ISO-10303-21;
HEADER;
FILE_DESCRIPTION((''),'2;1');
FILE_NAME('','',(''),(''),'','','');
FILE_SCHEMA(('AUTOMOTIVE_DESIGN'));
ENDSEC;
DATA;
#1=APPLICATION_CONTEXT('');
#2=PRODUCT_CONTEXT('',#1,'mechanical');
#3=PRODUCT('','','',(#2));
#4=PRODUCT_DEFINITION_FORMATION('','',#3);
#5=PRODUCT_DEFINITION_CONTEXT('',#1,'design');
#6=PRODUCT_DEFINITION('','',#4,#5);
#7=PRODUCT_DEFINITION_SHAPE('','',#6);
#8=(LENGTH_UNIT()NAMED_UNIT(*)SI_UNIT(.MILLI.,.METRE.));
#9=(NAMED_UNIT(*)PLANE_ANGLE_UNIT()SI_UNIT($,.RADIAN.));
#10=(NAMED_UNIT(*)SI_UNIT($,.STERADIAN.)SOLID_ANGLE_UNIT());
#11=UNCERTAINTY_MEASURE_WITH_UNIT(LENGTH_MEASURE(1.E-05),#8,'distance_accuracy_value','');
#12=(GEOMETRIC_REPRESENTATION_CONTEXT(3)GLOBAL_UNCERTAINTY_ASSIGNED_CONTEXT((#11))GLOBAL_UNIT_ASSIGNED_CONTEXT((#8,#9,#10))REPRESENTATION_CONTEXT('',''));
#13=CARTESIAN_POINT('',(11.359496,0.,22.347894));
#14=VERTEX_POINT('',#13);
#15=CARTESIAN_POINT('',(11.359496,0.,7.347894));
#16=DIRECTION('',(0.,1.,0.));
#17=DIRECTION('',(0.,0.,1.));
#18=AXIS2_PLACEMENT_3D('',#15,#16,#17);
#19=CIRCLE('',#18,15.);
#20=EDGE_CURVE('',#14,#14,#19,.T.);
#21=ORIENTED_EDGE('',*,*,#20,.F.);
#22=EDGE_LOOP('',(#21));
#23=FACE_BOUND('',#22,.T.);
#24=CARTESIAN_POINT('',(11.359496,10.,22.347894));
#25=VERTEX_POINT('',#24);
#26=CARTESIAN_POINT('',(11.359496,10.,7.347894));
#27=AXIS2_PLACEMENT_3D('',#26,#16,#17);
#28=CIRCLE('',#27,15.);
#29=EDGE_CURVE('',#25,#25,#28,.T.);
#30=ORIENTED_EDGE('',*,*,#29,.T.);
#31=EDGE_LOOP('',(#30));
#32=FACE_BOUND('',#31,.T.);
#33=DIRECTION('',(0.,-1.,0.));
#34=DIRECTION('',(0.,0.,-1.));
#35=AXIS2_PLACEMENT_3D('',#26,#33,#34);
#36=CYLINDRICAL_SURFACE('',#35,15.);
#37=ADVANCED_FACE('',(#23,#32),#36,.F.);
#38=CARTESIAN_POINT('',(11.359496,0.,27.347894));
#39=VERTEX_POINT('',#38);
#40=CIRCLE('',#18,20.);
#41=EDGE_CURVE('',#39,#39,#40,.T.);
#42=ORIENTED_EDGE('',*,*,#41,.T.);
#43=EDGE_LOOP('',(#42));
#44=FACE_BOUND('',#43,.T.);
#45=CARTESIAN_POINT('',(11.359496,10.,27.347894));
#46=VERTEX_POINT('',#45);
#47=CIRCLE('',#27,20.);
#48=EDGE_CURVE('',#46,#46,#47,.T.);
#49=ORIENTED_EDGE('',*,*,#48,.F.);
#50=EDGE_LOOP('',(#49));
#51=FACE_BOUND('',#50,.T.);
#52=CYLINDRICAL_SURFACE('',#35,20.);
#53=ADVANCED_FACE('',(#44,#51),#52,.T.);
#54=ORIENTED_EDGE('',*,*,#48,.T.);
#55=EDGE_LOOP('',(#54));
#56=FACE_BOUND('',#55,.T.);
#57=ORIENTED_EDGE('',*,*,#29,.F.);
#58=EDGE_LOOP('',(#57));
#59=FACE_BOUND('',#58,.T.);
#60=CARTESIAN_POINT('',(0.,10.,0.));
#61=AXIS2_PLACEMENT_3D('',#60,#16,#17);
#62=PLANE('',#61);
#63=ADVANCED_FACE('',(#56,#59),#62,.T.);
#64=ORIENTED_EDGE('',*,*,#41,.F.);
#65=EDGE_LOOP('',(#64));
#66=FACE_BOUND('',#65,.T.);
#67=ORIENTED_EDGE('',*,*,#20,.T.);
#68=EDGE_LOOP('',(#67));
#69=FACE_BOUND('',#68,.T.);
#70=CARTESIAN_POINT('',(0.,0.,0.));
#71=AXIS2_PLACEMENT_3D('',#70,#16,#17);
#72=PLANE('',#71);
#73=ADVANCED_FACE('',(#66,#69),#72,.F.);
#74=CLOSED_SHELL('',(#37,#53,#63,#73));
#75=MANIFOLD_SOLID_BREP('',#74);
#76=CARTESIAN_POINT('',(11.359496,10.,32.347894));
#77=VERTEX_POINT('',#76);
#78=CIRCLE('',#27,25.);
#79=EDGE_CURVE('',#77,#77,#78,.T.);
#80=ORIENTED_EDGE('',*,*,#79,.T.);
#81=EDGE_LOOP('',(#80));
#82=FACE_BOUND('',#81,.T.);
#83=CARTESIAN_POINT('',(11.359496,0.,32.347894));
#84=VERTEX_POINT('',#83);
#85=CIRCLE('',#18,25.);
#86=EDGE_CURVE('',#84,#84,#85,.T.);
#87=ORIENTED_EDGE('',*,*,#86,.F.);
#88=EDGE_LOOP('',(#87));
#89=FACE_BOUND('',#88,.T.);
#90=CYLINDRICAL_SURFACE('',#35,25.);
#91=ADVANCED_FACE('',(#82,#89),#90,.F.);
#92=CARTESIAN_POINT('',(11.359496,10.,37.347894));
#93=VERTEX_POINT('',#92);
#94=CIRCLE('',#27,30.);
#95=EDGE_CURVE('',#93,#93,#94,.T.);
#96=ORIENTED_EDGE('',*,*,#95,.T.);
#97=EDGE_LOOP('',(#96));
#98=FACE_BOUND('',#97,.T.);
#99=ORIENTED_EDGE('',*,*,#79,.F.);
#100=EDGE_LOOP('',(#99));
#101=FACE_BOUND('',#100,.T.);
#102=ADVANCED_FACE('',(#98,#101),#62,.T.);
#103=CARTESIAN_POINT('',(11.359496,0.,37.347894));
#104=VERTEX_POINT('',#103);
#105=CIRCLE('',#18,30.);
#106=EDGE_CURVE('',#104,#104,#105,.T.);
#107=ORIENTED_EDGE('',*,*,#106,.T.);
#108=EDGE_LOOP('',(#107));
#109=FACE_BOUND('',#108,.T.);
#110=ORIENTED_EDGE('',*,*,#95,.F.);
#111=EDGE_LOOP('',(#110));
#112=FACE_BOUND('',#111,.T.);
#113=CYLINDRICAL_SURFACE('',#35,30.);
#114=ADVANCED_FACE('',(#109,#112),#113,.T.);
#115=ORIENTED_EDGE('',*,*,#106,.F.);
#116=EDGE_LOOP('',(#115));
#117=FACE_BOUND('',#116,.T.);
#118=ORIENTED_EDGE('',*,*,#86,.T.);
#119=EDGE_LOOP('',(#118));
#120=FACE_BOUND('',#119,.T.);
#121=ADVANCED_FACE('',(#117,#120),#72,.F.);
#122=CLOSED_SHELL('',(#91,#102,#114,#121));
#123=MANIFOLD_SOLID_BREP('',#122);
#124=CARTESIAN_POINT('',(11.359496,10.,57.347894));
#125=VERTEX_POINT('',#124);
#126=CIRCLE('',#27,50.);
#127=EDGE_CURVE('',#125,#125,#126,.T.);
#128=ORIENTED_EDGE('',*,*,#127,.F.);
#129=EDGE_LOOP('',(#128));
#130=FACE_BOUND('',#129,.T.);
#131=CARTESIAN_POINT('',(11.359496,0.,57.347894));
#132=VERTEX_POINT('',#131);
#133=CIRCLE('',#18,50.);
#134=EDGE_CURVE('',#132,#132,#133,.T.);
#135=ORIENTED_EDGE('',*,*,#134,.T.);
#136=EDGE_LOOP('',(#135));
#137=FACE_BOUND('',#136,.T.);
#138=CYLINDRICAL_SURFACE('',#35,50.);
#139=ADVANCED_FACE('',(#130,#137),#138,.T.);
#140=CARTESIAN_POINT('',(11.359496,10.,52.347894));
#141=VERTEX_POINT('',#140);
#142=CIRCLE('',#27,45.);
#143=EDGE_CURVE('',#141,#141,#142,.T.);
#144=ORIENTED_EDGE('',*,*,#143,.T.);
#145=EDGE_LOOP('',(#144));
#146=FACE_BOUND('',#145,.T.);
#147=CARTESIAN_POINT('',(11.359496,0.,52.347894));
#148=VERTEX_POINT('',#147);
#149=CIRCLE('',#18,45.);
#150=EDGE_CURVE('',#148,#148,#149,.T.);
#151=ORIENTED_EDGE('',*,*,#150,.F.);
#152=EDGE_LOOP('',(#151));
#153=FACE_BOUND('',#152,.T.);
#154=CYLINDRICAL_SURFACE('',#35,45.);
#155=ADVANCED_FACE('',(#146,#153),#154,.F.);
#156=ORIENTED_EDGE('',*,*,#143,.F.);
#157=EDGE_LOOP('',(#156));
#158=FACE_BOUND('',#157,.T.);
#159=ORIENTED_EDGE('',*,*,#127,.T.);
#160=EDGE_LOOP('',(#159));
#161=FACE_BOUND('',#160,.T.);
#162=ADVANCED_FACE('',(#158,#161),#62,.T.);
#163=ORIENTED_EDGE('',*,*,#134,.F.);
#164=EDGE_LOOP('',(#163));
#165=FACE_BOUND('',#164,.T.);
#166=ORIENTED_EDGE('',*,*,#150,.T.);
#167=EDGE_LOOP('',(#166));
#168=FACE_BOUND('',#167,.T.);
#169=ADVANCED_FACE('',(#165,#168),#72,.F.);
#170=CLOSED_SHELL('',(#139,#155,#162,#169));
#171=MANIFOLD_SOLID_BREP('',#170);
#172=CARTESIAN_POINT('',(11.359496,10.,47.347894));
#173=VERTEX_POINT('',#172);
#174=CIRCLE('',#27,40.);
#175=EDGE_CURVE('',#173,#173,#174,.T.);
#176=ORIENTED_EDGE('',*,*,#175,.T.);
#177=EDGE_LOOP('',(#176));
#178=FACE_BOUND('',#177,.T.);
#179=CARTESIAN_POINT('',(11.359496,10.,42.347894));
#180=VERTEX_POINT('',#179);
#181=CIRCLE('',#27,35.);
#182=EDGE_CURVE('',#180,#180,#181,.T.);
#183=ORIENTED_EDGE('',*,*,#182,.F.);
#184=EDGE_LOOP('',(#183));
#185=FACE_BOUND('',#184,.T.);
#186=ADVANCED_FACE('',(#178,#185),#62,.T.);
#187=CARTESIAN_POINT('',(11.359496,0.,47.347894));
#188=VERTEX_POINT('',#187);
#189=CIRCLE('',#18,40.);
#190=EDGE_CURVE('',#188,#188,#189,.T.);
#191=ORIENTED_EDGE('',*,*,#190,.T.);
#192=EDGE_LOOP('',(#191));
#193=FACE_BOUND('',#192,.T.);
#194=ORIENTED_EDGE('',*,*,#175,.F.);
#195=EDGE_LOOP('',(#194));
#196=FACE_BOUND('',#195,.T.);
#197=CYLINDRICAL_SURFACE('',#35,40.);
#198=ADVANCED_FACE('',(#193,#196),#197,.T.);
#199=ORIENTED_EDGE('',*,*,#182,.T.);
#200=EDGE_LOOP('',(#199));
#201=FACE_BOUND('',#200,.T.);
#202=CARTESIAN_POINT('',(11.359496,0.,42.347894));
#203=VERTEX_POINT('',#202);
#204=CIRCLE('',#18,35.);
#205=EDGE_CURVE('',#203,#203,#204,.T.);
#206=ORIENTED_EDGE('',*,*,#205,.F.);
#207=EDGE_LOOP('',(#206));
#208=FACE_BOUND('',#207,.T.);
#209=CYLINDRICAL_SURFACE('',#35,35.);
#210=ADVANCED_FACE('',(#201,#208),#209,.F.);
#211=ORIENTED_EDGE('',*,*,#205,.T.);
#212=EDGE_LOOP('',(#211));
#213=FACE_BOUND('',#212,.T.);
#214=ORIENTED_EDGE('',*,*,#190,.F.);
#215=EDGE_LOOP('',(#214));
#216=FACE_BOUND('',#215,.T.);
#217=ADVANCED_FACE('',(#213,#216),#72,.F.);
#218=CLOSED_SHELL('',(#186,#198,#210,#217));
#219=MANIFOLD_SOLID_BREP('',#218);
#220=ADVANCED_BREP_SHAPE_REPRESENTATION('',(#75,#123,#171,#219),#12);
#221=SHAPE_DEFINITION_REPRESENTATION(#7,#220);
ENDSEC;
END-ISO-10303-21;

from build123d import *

# Parameters (mm, degrees)
SKETCH1_R             = 50
SKETCH1_R_2           = 45
BOSS_EXTRUDE3_DEPTH   = 10
SKETCH1_R_3           = 40
SKETCH1_R_4           = 35
BOSS_EXTRUDE3_2_DEPTH = 10
SKETCH1_R_5           = 30
SKETCH1_R_6           = 25
BOSS_EXTRUDE3_3_DEPTH = 10
SKETCH1_R_7           = 20
SKETCH1_R_8           = 15
BOSS_EXTRUDE3_4_DEPTH = 10


with BuildPart() as part:
    # Sketch1 → Boss-Extrude3 (new body)
    with BuildSketch(Plane(origin=(0, 0, 0), x_dir=(1, 0, 0), z_dir=(0, 1, 0))):
        with Locations((11.359496118, -7.347893769)):
            Circle(SKETCH1_R)
        with Locations((11.359496118, -7.347893769)):
            Circle(SKETCH1_R_2, mode=Mode.SUBTRACT)
    extrude(amount=BOSS_EXTRUDE3_DEPTH)


with BuildPart() as body_2:
    # Sketch1 → Boss-Extrude3 2 (new body)
    with BuildSketch(Plane(origin=(0, 0, 0), x_dir=(1, 0, 0), z_dir=(0, 1, 0))):
        with Locations((11.359496118, -7.347893769)):
            Circle(SKETCH1_R_3)
        with Locations((11.359496118, -7.347893769)):
            Circle(SKETCH1_R_4, mode=Mode.SUBTRACT)
    extrude(amount=BOSS_EXTRUDE3_2_DEPTH)


with BuildPart() as body_3:
    # Sketch1 → Boss-Extrude3 3 (new body)
    with BuildSketch(Plane(origin=(0, 0, 0), x_dir=(1, 0, 0), z_dir=(0, 1, 0))):
        with Locations((11.359496118, -7.347893769)):
            Circle(SKETCH1_R_5)
        with Locations((11.359496118, -7.347893769)):
            Circle(SKETCH1_R_6, mode=Mode.SUBTRACT)
    extrude(amount=BOSS_EXTRUDE3_3_DEPTH)


with BuildPart() as body_4:
    # Sketch1 → Boss-Extrude3 4 (new body)
    with BuildSketch(Plane(origin=(0, 0, 0), x_dir=(1, 0, 0), z_dir=(0, 1, 0))):
        with Locations((11.359496118, -7.347893769)):
            Circle(SKETCH1_R_7)
        with Locations((11.359496118, -7.347893769)):
            Circle(SKETCH1_R_8, mode=Mode.SUBTRACT)
    extrude(amount=BOSS_EXTRUDE3_4_DEPTH)


solid = Compound([part.part, body_2.part, body_3.part, body_4.part])
